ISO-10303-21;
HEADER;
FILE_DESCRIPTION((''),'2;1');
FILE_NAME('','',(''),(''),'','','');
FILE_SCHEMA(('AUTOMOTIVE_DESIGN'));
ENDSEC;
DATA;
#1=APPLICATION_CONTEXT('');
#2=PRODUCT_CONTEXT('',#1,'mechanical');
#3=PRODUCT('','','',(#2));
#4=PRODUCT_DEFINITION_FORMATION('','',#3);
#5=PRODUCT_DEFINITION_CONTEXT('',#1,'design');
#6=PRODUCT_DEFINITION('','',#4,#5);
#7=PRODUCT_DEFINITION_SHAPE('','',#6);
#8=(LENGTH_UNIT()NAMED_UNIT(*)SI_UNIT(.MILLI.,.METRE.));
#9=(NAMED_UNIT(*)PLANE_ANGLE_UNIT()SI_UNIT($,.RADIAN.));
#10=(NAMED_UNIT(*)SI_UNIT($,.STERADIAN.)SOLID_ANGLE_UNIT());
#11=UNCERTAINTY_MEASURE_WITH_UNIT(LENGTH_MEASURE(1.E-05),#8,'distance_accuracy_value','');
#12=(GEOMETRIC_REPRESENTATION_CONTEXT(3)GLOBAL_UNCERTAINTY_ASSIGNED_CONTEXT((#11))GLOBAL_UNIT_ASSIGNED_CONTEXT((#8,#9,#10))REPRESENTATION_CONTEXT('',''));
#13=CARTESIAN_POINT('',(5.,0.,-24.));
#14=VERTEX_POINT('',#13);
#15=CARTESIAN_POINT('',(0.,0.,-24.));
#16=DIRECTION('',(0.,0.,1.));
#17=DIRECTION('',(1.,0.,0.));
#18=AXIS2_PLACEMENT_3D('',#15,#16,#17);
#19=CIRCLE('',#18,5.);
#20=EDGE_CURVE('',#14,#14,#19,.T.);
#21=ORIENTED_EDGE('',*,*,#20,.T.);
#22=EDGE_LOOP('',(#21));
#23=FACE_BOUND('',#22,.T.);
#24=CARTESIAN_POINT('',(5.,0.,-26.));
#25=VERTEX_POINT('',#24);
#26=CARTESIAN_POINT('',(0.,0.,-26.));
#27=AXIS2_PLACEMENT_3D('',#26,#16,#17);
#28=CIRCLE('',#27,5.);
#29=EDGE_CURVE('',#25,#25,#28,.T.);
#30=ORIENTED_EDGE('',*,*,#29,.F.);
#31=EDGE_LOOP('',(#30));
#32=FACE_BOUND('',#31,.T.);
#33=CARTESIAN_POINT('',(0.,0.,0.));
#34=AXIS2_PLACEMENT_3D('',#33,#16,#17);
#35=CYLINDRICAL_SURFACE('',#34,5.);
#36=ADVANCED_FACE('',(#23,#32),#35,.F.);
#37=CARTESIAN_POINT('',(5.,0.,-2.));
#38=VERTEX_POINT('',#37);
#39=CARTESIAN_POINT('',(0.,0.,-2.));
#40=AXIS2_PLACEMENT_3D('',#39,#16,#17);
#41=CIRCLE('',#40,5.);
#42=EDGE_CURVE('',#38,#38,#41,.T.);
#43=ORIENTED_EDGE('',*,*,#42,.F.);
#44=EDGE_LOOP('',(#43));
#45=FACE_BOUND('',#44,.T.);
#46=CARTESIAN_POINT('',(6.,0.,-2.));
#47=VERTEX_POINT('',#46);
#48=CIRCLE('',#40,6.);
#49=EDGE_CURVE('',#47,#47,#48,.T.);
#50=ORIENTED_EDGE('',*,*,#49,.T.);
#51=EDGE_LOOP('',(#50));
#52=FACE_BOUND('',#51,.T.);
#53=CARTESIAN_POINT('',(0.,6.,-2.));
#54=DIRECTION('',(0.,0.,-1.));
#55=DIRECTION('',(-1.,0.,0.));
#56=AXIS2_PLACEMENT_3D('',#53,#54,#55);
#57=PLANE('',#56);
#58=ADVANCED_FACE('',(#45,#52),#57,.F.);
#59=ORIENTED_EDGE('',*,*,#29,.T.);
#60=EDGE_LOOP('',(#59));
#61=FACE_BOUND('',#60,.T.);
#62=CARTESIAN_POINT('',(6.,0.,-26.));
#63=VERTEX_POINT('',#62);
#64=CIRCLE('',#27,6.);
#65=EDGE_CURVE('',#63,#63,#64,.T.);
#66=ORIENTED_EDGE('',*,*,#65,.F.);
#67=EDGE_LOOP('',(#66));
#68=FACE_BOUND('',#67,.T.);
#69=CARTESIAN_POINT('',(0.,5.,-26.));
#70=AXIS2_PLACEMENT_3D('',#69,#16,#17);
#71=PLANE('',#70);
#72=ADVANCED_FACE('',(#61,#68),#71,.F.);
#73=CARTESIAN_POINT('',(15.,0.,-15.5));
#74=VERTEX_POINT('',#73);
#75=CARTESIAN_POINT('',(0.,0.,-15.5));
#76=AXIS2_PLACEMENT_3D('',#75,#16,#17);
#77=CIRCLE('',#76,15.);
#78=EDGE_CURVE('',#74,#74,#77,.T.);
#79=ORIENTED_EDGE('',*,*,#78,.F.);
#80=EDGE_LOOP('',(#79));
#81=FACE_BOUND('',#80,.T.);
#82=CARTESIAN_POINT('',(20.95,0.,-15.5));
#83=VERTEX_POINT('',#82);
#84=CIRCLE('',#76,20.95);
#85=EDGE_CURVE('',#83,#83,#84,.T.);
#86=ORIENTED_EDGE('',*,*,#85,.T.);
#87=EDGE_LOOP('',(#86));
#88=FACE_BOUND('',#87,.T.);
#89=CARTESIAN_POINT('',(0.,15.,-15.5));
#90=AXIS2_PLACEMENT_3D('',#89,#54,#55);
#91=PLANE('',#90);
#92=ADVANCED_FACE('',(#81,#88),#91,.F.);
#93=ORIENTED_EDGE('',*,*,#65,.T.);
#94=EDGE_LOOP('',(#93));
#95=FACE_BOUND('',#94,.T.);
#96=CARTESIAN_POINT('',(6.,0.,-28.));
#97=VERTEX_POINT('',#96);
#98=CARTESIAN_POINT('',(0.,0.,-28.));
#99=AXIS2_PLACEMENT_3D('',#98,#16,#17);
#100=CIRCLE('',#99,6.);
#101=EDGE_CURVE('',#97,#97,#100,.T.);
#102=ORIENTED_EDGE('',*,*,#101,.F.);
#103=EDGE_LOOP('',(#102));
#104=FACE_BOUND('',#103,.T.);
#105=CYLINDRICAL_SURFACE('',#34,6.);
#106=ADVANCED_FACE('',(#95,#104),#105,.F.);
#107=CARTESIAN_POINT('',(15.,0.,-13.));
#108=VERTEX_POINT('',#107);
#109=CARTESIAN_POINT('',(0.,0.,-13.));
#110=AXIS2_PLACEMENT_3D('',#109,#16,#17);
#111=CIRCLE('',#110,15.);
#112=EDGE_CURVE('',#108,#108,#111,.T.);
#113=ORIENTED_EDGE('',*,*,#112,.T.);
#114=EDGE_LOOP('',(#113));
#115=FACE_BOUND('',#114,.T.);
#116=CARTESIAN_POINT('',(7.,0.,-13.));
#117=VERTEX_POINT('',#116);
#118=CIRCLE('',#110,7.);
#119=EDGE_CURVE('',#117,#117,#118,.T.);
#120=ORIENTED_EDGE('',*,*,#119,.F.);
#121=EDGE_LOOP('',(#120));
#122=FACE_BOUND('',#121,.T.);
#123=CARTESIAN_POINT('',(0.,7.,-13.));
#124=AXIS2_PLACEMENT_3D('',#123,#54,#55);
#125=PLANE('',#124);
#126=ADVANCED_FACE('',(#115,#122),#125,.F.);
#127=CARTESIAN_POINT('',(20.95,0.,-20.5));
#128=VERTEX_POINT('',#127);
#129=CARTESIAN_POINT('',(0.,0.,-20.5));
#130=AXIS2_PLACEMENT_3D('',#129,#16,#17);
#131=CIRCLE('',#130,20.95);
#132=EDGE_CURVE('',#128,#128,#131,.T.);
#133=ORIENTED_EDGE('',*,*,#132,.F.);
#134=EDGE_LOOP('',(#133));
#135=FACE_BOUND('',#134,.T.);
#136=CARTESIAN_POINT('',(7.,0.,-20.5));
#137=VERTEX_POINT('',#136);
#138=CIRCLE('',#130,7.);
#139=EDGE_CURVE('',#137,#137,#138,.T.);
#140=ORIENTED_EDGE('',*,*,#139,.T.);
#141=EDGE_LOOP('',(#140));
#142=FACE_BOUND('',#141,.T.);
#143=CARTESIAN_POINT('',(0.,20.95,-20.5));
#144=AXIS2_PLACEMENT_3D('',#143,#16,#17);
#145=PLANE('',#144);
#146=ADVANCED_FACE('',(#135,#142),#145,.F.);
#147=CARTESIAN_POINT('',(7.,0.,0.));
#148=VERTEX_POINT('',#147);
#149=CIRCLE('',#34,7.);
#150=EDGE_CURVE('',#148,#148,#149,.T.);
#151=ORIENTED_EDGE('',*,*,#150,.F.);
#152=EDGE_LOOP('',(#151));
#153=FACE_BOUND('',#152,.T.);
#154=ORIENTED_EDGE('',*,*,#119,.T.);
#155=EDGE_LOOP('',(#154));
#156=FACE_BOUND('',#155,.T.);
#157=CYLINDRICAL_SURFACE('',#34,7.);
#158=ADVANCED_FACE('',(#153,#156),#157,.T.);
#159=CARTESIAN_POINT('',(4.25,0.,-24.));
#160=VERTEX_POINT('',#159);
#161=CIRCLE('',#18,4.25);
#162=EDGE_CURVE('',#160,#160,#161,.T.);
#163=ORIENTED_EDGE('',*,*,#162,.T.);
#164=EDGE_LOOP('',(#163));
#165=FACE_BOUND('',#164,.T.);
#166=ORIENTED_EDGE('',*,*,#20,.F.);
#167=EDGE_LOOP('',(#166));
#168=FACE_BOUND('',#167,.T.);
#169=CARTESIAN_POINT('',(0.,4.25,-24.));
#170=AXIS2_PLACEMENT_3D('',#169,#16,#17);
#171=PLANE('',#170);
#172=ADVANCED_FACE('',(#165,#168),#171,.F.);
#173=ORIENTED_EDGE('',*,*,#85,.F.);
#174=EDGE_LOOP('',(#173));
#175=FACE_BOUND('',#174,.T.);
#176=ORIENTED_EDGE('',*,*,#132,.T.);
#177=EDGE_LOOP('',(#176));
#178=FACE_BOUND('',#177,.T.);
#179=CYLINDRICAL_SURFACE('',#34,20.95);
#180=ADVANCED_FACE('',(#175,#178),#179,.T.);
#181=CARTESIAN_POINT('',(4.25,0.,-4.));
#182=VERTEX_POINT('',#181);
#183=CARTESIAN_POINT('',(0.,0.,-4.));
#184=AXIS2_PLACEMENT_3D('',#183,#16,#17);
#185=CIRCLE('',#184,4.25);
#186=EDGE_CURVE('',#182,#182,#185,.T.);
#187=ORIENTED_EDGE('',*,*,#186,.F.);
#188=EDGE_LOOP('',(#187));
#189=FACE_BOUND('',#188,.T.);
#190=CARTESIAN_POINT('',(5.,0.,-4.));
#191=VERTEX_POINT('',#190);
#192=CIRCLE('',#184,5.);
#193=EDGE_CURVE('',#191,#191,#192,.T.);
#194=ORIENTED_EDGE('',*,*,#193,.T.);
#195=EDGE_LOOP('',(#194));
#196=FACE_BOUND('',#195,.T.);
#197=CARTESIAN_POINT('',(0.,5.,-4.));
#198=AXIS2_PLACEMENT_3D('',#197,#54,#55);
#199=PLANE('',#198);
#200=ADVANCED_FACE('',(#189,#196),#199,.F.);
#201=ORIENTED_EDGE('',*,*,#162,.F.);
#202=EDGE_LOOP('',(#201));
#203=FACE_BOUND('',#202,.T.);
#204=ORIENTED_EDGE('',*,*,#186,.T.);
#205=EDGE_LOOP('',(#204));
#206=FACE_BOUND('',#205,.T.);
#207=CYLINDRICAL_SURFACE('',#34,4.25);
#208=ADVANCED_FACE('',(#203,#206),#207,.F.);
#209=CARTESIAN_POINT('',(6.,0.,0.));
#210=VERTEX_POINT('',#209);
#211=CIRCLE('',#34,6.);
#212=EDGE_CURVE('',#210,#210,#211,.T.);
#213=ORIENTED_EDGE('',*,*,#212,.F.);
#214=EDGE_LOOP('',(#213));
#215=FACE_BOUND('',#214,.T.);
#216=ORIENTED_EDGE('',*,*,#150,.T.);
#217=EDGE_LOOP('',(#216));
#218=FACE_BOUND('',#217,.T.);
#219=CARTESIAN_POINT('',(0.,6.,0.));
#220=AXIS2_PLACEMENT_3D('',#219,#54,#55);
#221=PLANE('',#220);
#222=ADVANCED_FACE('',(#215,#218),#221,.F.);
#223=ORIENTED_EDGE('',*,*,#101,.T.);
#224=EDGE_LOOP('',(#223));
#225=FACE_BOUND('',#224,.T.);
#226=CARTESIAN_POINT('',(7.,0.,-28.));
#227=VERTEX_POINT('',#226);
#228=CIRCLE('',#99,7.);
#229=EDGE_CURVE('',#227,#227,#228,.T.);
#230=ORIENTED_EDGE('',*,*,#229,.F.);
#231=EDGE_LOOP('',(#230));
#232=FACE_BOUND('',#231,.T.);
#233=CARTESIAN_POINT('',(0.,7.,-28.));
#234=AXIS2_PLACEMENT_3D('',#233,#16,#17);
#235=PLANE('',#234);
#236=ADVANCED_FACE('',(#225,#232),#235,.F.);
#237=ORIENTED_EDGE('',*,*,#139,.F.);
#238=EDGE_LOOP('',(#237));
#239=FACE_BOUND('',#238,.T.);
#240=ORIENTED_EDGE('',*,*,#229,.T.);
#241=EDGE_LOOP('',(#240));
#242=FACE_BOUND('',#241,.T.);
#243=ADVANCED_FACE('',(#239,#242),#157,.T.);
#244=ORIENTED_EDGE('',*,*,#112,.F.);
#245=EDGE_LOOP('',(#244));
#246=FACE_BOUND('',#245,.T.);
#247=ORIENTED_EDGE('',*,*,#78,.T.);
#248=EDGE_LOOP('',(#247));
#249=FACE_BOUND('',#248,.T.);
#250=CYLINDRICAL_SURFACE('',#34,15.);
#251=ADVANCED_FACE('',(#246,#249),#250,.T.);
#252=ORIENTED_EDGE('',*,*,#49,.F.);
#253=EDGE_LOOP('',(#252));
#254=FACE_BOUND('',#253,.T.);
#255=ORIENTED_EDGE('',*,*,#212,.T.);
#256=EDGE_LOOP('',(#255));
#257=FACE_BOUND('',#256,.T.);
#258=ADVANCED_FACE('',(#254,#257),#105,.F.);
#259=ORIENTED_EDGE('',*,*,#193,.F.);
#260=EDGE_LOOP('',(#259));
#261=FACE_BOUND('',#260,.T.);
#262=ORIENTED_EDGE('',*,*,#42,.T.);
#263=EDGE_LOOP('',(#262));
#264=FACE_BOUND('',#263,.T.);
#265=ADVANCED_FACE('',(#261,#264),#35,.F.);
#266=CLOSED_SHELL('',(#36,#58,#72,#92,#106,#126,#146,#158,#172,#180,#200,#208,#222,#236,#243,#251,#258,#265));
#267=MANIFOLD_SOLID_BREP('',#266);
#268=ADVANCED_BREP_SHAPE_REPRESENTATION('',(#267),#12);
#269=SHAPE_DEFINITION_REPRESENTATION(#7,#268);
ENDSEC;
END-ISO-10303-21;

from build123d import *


with BuildPart() as part:
    # Sketch1 → Revolve1 (revolve)
    with BuildSketch(Plane(origin=(0, 0, 0), x_dir=(0, 0, -1), z_dir=(1, 0, 0)), mode=Mode.PRIVATE) as revolve1_sk:
        Polygon((0, 6), (0, 7), (13, 7), (13, 15), (15.5, 15), (15.5, 20.95), (20.5, 20.95), (20.5, 7), (28, 7), (28, 6), (26, 6), (26, 5), (24, 5), (24, 4.25), (4, 4.25), (4, 5), (2, 5), (2, 6), align=None)
    revolve(revolve1_sk.sketch.rotate(Axis((0, 0, 0), (0, 0, -1)), 90), axis=Axis((0, 0, 0), (0, 0, -1)))


solid = part.part
